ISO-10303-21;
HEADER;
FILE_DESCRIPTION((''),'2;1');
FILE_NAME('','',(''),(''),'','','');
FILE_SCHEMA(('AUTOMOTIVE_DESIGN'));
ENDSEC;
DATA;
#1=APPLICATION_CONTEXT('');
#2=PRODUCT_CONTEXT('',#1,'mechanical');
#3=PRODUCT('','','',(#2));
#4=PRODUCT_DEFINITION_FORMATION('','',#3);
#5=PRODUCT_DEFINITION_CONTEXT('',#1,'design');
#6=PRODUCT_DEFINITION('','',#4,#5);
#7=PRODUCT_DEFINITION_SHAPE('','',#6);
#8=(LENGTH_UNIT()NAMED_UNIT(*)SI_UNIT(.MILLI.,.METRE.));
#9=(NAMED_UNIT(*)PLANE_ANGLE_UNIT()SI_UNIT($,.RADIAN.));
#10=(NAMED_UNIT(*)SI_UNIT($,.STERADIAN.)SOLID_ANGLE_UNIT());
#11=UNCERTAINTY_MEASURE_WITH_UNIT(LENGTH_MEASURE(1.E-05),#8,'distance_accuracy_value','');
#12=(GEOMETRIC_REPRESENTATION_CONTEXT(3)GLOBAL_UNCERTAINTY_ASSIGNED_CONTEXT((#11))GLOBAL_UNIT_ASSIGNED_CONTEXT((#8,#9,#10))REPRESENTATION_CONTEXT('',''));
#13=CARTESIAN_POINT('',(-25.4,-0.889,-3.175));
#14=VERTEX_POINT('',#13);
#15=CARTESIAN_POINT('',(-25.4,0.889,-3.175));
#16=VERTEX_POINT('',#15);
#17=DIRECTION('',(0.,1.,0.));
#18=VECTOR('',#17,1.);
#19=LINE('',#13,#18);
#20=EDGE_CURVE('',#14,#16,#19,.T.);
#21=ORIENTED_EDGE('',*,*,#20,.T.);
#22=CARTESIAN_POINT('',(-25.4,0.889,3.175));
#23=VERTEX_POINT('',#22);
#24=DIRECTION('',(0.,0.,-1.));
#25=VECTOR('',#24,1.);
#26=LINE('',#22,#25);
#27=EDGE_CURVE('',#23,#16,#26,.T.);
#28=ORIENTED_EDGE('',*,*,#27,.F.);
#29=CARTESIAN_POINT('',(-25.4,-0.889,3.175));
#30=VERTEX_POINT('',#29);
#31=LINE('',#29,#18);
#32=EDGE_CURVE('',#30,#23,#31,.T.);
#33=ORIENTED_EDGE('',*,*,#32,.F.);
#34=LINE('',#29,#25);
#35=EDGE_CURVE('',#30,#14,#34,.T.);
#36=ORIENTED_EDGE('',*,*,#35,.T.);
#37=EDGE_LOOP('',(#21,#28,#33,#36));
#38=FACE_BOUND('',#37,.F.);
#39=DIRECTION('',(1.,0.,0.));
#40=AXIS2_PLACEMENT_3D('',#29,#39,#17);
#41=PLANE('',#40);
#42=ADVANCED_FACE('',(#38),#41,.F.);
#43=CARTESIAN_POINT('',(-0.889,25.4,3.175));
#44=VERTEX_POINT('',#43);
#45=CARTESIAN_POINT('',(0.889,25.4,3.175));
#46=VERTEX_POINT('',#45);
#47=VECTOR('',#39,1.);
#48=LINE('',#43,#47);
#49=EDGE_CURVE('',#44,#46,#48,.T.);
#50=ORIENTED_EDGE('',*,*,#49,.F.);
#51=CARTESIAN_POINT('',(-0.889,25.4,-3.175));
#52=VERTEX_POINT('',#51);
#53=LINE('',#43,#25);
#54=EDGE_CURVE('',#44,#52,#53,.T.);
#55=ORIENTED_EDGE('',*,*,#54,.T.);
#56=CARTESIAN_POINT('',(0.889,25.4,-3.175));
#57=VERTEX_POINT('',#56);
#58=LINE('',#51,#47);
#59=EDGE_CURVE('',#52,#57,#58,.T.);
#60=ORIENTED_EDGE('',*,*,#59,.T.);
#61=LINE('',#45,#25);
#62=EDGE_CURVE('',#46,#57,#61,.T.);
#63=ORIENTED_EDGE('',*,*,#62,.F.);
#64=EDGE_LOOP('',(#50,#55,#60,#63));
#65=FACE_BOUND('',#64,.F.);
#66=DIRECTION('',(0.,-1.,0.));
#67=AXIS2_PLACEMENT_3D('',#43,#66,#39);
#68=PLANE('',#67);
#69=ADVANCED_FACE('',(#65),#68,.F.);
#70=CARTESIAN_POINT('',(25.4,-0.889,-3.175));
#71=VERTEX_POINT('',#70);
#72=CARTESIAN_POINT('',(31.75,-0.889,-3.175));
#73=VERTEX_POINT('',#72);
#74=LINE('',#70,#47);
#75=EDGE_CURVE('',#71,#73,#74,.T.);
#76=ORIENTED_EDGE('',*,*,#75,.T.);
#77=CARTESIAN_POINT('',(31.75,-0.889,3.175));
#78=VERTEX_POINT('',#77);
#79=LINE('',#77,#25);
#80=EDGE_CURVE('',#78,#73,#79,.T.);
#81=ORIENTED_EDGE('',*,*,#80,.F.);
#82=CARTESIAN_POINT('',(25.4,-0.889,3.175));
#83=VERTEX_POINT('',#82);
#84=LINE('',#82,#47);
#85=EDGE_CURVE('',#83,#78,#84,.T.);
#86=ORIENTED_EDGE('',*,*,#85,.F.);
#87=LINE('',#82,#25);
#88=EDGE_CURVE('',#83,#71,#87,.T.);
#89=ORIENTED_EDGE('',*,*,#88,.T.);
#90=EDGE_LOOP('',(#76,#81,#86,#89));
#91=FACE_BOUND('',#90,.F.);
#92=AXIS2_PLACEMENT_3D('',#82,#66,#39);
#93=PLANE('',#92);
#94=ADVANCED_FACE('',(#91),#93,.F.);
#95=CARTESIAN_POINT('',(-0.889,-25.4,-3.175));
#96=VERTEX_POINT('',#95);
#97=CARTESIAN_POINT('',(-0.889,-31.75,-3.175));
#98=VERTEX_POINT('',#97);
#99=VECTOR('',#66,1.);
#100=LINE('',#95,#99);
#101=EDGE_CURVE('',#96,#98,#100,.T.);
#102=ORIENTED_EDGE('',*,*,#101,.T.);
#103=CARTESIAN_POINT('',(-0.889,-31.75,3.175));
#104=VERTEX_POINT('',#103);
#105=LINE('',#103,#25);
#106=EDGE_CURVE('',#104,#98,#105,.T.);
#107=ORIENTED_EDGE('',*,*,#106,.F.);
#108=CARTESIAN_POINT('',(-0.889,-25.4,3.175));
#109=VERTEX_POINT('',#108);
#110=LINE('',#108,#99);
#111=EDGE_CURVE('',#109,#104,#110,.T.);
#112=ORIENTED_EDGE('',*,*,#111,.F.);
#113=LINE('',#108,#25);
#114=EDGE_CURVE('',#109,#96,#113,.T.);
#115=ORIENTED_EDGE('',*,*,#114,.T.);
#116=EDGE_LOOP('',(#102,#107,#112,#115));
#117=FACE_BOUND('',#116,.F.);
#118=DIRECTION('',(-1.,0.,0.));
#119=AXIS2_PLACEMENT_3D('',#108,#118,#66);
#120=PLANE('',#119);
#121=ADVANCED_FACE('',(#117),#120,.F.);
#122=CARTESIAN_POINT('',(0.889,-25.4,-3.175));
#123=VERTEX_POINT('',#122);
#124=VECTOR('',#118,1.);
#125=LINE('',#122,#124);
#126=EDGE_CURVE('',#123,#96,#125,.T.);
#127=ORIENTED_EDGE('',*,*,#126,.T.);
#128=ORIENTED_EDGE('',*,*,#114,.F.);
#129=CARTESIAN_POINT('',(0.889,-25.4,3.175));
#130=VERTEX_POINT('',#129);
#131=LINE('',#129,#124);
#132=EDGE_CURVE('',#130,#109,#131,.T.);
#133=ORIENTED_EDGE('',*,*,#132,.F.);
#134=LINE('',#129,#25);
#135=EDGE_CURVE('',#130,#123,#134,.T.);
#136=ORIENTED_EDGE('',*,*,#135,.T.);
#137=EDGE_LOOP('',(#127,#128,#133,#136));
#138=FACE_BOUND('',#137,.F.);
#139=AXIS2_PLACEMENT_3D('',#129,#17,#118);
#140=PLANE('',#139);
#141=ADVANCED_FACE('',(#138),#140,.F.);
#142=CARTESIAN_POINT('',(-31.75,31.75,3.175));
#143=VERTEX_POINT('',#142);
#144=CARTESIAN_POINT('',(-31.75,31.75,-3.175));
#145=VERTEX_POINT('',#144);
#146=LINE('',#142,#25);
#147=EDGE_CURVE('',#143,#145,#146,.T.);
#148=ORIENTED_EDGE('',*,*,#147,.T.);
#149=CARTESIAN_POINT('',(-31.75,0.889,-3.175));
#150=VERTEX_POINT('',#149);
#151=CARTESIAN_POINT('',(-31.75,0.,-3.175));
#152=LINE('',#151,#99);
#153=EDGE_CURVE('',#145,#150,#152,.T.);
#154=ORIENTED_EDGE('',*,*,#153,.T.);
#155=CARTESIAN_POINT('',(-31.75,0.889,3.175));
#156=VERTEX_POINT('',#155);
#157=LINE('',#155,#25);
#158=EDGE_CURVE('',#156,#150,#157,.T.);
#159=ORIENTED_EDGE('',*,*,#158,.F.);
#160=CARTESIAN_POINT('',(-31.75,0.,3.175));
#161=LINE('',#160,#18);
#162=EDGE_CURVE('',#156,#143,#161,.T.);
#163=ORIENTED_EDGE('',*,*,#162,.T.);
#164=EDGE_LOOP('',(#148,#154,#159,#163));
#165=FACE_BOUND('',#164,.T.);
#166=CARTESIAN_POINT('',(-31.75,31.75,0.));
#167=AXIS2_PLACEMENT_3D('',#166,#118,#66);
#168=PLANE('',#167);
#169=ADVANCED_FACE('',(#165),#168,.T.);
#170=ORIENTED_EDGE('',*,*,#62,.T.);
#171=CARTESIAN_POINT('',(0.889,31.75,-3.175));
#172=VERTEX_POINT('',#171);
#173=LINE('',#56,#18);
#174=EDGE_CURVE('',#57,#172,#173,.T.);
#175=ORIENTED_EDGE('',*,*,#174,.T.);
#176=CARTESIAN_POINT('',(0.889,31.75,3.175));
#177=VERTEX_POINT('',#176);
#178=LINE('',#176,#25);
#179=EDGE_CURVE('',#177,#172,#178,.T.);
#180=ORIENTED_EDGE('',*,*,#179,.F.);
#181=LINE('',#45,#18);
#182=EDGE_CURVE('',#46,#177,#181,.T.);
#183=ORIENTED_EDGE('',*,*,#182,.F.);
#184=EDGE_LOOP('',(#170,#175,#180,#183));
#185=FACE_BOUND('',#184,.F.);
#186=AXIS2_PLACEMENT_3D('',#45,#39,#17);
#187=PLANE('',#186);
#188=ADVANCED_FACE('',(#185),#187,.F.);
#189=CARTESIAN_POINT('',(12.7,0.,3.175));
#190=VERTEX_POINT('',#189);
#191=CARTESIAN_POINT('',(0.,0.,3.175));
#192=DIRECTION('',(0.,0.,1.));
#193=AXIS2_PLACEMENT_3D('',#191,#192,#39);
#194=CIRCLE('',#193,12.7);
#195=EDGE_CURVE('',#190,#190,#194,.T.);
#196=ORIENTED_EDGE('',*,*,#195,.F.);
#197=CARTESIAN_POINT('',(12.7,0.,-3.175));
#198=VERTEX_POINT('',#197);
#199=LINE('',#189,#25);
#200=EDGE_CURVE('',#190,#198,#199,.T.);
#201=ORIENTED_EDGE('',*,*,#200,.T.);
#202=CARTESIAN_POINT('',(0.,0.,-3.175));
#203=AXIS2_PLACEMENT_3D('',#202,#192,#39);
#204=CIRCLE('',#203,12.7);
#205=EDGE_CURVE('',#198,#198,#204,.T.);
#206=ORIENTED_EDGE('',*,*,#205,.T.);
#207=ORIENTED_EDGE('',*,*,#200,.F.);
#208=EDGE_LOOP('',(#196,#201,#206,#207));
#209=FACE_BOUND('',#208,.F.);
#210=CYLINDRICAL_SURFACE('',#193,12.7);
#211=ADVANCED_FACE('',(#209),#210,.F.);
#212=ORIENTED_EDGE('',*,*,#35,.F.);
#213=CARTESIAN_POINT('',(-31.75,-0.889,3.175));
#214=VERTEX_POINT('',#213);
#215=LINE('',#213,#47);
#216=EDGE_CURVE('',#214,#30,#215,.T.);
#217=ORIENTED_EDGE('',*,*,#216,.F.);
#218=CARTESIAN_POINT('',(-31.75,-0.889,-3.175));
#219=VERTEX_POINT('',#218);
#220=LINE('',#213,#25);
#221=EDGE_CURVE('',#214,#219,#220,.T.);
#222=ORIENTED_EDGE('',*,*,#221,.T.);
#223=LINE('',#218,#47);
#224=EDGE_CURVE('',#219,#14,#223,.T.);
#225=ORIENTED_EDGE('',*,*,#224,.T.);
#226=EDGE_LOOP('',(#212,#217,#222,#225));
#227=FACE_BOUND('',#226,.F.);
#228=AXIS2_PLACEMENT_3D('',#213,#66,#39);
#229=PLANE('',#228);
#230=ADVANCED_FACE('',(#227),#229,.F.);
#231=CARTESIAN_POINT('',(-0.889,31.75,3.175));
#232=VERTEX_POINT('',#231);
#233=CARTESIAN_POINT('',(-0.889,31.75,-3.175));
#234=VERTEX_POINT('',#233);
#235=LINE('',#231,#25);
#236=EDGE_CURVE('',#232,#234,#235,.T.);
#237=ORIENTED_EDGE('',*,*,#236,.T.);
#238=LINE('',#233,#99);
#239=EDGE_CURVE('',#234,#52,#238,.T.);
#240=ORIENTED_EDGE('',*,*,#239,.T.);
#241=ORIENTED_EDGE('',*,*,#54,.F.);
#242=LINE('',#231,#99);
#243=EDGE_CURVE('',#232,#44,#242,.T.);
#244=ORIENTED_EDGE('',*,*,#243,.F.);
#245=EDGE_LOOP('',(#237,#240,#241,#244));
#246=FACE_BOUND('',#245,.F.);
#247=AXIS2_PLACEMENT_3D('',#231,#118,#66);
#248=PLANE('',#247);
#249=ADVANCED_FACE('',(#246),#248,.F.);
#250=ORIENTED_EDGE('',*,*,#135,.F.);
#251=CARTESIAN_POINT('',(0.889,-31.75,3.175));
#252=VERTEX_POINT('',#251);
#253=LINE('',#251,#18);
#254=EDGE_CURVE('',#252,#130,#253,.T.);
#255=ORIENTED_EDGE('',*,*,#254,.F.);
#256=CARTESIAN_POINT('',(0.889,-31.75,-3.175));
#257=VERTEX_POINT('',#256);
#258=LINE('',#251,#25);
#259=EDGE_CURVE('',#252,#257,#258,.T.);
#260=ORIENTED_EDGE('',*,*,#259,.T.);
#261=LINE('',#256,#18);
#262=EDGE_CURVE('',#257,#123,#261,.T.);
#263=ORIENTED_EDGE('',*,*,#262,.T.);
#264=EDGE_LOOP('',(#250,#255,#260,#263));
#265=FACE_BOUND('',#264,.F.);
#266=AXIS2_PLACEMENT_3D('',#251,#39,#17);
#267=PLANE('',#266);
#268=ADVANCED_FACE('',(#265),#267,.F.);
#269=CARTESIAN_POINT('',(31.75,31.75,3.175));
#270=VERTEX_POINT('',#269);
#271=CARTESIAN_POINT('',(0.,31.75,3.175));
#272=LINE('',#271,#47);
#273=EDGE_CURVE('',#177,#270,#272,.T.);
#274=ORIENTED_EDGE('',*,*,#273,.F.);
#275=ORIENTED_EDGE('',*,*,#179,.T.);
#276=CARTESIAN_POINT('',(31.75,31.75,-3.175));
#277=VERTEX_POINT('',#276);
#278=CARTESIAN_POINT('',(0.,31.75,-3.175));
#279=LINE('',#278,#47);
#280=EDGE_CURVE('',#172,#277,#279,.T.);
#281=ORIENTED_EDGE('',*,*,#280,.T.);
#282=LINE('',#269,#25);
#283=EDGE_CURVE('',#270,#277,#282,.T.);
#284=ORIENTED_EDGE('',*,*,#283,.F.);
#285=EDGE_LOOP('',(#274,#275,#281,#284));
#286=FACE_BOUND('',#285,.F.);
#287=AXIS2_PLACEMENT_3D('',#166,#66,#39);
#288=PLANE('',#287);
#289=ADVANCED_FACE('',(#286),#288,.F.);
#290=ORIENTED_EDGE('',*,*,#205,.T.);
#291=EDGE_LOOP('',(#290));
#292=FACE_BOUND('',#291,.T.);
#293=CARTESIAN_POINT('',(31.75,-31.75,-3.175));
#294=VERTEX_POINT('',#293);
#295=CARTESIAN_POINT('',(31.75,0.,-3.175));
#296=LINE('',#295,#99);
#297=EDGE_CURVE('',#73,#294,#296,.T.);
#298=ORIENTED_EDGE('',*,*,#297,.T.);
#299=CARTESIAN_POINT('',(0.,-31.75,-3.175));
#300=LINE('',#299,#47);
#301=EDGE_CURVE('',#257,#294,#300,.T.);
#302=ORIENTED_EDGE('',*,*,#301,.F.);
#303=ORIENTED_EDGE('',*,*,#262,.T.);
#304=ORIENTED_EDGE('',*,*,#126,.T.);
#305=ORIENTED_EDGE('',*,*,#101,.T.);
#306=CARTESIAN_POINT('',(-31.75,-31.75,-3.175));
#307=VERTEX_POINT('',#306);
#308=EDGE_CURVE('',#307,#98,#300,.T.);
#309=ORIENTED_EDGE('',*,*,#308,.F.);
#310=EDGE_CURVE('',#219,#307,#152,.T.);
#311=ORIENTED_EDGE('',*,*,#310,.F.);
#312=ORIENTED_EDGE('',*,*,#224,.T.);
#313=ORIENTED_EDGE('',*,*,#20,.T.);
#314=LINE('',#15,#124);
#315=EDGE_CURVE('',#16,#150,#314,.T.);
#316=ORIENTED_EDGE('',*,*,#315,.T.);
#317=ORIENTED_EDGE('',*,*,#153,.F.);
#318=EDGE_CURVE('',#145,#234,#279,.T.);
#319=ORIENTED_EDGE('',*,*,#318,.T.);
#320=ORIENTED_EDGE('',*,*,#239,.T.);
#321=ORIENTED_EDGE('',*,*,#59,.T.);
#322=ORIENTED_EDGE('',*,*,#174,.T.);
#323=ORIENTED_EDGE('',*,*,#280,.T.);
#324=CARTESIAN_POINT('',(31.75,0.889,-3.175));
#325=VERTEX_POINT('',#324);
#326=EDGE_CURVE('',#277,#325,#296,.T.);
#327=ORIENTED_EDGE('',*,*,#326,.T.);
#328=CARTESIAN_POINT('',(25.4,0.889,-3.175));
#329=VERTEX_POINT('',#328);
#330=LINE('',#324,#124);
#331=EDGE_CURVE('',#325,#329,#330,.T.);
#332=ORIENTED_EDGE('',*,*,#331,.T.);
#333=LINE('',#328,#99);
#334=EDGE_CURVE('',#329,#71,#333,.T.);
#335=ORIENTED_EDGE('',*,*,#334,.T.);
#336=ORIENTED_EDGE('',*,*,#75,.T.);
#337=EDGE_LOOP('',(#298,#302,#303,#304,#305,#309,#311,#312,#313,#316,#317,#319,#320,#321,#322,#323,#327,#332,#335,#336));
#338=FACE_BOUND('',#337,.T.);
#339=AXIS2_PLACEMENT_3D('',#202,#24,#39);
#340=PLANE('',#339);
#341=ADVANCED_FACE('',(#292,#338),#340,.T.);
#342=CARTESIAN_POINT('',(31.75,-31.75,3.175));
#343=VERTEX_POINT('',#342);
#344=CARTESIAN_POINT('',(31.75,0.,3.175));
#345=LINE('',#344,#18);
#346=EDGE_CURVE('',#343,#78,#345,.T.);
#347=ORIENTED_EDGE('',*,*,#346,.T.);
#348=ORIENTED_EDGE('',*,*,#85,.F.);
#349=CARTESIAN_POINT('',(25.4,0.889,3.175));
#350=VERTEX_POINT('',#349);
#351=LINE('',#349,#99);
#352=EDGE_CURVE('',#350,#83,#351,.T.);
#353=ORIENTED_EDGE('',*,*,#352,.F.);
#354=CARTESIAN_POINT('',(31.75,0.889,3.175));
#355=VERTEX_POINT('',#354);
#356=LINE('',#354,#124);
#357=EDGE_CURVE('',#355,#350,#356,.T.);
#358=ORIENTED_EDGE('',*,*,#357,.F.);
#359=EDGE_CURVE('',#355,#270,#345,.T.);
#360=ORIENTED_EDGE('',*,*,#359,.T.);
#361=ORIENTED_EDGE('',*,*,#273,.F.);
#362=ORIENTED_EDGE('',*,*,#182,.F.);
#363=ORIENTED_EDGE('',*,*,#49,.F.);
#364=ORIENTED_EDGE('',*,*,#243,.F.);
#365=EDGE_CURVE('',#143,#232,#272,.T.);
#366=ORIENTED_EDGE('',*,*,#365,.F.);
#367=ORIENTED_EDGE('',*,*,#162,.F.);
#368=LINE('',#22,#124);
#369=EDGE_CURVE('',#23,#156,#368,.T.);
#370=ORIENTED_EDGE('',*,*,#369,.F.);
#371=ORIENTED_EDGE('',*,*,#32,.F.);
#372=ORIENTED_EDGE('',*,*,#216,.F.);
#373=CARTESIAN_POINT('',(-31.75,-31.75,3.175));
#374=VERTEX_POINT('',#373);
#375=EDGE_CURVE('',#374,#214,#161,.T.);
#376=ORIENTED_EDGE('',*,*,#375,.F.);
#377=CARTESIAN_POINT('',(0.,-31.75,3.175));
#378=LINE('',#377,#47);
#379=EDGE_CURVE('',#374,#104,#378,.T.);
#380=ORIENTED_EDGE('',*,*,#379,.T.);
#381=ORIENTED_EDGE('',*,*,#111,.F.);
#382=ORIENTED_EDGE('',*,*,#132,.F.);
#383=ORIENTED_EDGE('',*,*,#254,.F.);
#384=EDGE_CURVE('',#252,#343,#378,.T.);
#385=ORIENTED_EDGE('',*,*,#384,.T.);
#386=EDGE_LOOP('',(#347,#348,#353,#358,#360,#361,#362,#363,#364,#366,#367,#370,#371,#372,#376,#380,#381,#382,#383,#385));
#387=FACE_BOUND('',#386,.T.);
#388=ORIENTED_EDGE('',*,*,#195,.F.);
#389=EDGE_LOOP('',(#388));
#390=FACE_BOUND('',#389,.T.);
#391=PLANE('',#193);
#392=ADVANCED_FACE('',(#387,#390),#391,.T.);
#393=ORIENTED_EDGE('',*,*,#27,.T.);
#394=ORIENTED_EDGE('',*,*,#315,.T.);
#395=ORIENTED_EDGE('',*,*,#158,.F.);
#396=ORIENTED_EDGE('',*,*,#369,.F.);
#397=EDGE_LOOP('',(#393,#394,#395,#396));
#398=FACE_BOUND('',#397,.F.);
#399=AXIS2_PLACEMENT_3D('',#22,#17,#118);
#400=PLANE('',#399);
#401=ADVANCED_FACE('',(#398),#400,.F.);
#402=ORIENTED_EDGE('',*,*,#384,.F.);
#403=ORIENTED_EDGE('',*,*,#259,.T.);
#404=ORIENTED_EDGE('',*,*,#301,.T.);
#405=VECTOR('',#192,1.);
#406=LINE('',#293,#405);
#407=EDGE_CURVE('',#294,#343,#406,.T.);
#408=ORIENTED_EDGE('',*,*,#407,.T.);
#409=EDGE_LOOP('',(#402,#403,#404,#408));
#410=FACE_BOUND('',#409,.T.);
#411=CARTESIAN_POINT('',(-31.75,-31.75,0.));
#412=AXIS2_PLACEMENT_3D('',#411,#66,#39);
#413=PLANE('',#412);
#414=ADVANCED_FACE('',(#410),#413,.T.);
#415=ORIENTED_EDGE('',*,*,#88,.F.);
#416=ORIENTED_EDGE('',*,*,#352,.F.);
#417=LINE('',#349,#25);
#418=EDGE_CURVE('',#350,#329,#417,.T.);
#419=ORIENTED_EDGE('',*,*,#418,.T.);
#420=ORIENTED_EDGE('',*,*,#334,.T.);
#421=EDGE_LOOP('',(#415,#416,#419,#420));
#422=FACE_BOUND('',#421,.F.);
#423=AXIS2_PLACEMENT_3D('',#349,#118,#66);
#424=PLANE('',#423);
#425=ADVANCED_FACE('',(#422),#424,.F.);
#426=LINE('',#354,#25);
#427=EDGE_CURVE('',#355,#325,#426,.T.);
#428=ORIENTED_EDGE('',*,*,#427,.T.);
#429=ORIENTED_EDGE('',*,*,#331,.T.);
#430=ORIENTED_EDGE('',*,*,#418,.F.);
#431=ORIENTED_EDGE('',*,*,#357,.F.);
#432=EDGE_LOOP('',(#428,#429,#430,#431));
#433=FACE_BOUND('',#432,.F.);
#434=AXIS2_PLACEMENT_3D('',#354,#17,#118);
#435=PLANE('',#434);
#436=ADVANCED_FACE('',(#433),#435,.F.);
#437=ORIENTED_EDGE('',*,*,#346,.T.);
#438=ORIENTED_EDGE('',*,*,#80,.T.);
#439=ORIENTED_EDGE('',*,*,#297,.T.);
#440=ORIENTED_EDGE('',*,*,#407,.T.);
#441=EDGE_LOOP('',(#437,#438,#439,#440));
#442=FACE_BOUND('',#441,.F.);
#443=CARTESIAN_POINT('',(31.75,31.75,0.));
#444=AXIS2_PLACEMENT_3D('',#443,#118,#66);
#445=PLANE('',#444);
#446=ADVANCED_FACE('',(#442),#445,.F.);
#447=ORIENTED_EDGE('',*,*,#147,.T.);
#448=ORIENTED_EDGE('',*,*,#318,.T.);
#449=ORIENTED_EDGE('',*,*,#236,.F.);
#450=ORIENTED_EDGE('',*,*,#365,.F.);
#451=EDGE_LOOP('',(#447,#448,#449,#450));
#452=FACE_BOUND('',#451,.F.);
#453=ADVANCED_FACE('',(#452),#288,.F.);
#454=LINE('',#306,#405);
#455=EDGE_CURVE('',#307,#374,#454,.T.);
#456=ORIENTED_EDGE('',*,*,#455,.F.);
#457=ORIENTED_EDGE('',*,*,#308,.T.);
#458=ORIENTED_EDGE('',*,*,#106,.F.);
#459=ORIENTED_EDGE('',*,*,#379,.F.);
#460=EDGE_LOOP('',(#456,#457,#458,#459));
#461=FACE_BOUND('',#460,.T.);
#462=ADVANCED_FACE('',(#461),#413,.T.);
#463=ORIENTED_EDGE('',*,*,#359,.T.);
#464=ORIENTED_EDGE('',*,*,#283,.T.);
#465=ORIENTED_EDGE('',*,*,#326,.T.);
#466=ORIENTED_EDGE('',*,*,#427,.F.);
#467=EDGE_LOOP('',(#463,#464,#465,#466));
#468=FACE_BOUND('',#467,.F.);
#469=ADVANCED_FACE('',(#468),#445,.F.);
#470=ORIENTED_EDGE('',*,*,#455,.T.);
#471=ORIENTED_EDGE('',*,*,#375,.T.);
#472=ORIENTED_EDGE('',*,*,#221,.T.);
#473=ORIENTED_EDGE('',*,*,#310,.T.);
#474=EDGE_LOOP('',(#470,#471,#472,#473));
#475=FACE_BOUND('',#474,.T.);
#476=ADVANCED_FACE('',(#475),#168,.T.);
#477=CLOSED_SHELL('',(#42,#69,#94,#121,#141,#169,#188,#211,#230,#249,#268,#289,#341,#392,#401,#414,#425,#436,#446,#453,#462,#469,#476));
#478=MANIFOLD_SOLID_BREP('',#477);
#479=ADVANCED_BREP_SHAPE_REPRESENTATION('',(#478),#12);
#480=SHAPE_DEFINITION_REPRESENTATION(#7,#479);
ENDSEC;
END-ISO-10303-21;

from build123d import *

# Parameters (mm, degrees)
F0_W      = 63.5
F0_H      = 63.5
F1_DEPTH  = 3.175
F1_FACE_W = 63.5
F1_FACE_H = 63.5
F2_DEPTH  = 3.175
F3_R      = 12.7
F4_DEPTH  = 6.35
F5_DEPTH  = 25.4
F6_DEPTH  = 25.4
F7_DEPTH  = 25.4
F8_DEPTH  = 25.4


with BuildPart() as f1:
    # F0 (on Top) → F1 (new body)
    with BuildSketch(Plane.XY):
        Rectangle(F0_W, F0_H)
    extrude(amount=F1_DEPTH)

    # F1_face (on face) → F2 (join)
    with BuildSketch(Plane(origin=(0, 0, 0), x_dir=(1, 0, 0), z_dir=(0, 0, -1))):
        Rectangle(F1_FACE_W, F1_FACE_H)
    extrude(amount=F2_DEPTH)

    # F3 (on face) → F4 (cut)
    with BuildSketch(Plane.XY.offset(3.175)):
        Circle(F3_R)
        Polygon((0.889, 31.75), (0, 31.75), (-0.889, 31.75), (-0.889, 25.4), (0.889, 25.4), align=None)
        Polygon((31.75, -0.889), (31.75, 0), (31.75, 0.889), (25.4, 0.889), (25.4, -0.889), align=None)
        Polygon((-0.889, -31.75), (0, -31.75), (0.889, -31.75), (0.889, -25.4), (-0.889, -25.4), align=None)
        Polygon((-31.75, 0.889), (-31.75, 0), (-31.75, -0.889), (-25.4, -0.889), (-25.4, 0.889), align=None)
    extrude(amount=-F4_DEPTH, mode=Mode.SUBTRACT)

    # F3 (on face) → F5 (cut)
    with BuildSketch(Plane.XY.offset(3.175)):
        Circle(F3_R)
        Polygon((0.889, 31.75), (0, 31.75), (-0.889, 31.75), (-0.889, 25.4), (0.889, 25.4), align=None)
        Polygon((31.75, -0.889), (31.75, 0), (31.75, 0.889), (25.4, 0.889), (25.4, -0.889), align=None)
        Polygon((-0.889, -31.75), (0, -31.75), (0.889, -31.75), (0.889, -25.4), (-0.889, -25.4), align=None)
        Polygon((-31.75, 0.889), (-31.75, 0), (-31.75, -0.889), (-25.4, -0.889), (-25.4, 0.889), align=None)
    extrude(amount=-F5_DEPTH, mode=Mode.SUBTRACT)

    # F3 (on face) → F6 (cut)
    with BuildSketch(Plane.XY.offset(3.175)):
        Circle(F3_R)
        Polygon((0.889, 31.75), (0, 31.75), (-0.889, 31.75), (-0.889, 25.4), (0.889, 25.4), align=None)
        Polygon((31.75, -0.889), (31.75, 0), (31.75, 0.889), (25.4, 0.889), (25.4, -0.889), align=None)
        Polygon((-0.889, -31.75), (0, -31.75), (0.889, -31.75), (0.889, -25.4), (-0.889, -25.4), align=None)
        Polygon((-31.75, 0.889), (-31.75, 0), (-31.75, -0.889), (-25.4, -0.889), (-25.4, 0.889), align=None)
    extrude(amount=-F6_DEPTH, mode=Mode.SUBTRACT)

    # F3 (on face) → F7 (cut)
    with BuildSketch(Plane.XY.offset(3.175)):
        Circle(F3_R)
        Polygon((0.889, 31.75), (0, 31.75), (-0.889, 31.75), (-0.889, 25.4), (0.889, 25.4), align=None)
        Polygon((31.75, -0.889), (31.75, 0), (31.75, 0.889), (25.4, 0.889), (25.4, -0.889), align=None)
        Polygon((-0.889, -31.75), (0, -31.75), (0.889, -31.75), (0.889, -25.4), (-0.889, -25.4), align=None)
        Polygon((-31.75, 0.889), (-31.75, 0), (-31.75, -0.889), (-25.4, -0.889), (-25.4, 0.889), align=None)
    extrude(amount=-F7_DEPTH, mode=Mode.SUBTRACT)

    # F3 (on face) → F8 (cut)
    with BuildSketch(Plane.XY.offset(3.175)):
        Circle(F3_R)
        Polygon((0.889, 31.75), (0, 31.75), (-0.889, 31.75), (-0.889, 25.4), (0.889, 25.4), align=None)
        Polygon((31.75, -0.889), (31.75, 0), (31.75, 0.889), (25.4, 0.889), (25.4, -0.889), align=None)
        Polygon((-0.889, -31.75), (0, -31.75), (0.889, -31.75), (0.889, -25.4), (-0.889, -25.4), align=None)
        Polygon((-31.75, 0.889), (-31.75, 0), (-31.75, -0.889), (-25.4, -0.889), (-25.4, 0.889), align=None)
    extrude(amount=-F8_DEPTH, mode=Mode.SUBTRACT)


solid = f1.part
